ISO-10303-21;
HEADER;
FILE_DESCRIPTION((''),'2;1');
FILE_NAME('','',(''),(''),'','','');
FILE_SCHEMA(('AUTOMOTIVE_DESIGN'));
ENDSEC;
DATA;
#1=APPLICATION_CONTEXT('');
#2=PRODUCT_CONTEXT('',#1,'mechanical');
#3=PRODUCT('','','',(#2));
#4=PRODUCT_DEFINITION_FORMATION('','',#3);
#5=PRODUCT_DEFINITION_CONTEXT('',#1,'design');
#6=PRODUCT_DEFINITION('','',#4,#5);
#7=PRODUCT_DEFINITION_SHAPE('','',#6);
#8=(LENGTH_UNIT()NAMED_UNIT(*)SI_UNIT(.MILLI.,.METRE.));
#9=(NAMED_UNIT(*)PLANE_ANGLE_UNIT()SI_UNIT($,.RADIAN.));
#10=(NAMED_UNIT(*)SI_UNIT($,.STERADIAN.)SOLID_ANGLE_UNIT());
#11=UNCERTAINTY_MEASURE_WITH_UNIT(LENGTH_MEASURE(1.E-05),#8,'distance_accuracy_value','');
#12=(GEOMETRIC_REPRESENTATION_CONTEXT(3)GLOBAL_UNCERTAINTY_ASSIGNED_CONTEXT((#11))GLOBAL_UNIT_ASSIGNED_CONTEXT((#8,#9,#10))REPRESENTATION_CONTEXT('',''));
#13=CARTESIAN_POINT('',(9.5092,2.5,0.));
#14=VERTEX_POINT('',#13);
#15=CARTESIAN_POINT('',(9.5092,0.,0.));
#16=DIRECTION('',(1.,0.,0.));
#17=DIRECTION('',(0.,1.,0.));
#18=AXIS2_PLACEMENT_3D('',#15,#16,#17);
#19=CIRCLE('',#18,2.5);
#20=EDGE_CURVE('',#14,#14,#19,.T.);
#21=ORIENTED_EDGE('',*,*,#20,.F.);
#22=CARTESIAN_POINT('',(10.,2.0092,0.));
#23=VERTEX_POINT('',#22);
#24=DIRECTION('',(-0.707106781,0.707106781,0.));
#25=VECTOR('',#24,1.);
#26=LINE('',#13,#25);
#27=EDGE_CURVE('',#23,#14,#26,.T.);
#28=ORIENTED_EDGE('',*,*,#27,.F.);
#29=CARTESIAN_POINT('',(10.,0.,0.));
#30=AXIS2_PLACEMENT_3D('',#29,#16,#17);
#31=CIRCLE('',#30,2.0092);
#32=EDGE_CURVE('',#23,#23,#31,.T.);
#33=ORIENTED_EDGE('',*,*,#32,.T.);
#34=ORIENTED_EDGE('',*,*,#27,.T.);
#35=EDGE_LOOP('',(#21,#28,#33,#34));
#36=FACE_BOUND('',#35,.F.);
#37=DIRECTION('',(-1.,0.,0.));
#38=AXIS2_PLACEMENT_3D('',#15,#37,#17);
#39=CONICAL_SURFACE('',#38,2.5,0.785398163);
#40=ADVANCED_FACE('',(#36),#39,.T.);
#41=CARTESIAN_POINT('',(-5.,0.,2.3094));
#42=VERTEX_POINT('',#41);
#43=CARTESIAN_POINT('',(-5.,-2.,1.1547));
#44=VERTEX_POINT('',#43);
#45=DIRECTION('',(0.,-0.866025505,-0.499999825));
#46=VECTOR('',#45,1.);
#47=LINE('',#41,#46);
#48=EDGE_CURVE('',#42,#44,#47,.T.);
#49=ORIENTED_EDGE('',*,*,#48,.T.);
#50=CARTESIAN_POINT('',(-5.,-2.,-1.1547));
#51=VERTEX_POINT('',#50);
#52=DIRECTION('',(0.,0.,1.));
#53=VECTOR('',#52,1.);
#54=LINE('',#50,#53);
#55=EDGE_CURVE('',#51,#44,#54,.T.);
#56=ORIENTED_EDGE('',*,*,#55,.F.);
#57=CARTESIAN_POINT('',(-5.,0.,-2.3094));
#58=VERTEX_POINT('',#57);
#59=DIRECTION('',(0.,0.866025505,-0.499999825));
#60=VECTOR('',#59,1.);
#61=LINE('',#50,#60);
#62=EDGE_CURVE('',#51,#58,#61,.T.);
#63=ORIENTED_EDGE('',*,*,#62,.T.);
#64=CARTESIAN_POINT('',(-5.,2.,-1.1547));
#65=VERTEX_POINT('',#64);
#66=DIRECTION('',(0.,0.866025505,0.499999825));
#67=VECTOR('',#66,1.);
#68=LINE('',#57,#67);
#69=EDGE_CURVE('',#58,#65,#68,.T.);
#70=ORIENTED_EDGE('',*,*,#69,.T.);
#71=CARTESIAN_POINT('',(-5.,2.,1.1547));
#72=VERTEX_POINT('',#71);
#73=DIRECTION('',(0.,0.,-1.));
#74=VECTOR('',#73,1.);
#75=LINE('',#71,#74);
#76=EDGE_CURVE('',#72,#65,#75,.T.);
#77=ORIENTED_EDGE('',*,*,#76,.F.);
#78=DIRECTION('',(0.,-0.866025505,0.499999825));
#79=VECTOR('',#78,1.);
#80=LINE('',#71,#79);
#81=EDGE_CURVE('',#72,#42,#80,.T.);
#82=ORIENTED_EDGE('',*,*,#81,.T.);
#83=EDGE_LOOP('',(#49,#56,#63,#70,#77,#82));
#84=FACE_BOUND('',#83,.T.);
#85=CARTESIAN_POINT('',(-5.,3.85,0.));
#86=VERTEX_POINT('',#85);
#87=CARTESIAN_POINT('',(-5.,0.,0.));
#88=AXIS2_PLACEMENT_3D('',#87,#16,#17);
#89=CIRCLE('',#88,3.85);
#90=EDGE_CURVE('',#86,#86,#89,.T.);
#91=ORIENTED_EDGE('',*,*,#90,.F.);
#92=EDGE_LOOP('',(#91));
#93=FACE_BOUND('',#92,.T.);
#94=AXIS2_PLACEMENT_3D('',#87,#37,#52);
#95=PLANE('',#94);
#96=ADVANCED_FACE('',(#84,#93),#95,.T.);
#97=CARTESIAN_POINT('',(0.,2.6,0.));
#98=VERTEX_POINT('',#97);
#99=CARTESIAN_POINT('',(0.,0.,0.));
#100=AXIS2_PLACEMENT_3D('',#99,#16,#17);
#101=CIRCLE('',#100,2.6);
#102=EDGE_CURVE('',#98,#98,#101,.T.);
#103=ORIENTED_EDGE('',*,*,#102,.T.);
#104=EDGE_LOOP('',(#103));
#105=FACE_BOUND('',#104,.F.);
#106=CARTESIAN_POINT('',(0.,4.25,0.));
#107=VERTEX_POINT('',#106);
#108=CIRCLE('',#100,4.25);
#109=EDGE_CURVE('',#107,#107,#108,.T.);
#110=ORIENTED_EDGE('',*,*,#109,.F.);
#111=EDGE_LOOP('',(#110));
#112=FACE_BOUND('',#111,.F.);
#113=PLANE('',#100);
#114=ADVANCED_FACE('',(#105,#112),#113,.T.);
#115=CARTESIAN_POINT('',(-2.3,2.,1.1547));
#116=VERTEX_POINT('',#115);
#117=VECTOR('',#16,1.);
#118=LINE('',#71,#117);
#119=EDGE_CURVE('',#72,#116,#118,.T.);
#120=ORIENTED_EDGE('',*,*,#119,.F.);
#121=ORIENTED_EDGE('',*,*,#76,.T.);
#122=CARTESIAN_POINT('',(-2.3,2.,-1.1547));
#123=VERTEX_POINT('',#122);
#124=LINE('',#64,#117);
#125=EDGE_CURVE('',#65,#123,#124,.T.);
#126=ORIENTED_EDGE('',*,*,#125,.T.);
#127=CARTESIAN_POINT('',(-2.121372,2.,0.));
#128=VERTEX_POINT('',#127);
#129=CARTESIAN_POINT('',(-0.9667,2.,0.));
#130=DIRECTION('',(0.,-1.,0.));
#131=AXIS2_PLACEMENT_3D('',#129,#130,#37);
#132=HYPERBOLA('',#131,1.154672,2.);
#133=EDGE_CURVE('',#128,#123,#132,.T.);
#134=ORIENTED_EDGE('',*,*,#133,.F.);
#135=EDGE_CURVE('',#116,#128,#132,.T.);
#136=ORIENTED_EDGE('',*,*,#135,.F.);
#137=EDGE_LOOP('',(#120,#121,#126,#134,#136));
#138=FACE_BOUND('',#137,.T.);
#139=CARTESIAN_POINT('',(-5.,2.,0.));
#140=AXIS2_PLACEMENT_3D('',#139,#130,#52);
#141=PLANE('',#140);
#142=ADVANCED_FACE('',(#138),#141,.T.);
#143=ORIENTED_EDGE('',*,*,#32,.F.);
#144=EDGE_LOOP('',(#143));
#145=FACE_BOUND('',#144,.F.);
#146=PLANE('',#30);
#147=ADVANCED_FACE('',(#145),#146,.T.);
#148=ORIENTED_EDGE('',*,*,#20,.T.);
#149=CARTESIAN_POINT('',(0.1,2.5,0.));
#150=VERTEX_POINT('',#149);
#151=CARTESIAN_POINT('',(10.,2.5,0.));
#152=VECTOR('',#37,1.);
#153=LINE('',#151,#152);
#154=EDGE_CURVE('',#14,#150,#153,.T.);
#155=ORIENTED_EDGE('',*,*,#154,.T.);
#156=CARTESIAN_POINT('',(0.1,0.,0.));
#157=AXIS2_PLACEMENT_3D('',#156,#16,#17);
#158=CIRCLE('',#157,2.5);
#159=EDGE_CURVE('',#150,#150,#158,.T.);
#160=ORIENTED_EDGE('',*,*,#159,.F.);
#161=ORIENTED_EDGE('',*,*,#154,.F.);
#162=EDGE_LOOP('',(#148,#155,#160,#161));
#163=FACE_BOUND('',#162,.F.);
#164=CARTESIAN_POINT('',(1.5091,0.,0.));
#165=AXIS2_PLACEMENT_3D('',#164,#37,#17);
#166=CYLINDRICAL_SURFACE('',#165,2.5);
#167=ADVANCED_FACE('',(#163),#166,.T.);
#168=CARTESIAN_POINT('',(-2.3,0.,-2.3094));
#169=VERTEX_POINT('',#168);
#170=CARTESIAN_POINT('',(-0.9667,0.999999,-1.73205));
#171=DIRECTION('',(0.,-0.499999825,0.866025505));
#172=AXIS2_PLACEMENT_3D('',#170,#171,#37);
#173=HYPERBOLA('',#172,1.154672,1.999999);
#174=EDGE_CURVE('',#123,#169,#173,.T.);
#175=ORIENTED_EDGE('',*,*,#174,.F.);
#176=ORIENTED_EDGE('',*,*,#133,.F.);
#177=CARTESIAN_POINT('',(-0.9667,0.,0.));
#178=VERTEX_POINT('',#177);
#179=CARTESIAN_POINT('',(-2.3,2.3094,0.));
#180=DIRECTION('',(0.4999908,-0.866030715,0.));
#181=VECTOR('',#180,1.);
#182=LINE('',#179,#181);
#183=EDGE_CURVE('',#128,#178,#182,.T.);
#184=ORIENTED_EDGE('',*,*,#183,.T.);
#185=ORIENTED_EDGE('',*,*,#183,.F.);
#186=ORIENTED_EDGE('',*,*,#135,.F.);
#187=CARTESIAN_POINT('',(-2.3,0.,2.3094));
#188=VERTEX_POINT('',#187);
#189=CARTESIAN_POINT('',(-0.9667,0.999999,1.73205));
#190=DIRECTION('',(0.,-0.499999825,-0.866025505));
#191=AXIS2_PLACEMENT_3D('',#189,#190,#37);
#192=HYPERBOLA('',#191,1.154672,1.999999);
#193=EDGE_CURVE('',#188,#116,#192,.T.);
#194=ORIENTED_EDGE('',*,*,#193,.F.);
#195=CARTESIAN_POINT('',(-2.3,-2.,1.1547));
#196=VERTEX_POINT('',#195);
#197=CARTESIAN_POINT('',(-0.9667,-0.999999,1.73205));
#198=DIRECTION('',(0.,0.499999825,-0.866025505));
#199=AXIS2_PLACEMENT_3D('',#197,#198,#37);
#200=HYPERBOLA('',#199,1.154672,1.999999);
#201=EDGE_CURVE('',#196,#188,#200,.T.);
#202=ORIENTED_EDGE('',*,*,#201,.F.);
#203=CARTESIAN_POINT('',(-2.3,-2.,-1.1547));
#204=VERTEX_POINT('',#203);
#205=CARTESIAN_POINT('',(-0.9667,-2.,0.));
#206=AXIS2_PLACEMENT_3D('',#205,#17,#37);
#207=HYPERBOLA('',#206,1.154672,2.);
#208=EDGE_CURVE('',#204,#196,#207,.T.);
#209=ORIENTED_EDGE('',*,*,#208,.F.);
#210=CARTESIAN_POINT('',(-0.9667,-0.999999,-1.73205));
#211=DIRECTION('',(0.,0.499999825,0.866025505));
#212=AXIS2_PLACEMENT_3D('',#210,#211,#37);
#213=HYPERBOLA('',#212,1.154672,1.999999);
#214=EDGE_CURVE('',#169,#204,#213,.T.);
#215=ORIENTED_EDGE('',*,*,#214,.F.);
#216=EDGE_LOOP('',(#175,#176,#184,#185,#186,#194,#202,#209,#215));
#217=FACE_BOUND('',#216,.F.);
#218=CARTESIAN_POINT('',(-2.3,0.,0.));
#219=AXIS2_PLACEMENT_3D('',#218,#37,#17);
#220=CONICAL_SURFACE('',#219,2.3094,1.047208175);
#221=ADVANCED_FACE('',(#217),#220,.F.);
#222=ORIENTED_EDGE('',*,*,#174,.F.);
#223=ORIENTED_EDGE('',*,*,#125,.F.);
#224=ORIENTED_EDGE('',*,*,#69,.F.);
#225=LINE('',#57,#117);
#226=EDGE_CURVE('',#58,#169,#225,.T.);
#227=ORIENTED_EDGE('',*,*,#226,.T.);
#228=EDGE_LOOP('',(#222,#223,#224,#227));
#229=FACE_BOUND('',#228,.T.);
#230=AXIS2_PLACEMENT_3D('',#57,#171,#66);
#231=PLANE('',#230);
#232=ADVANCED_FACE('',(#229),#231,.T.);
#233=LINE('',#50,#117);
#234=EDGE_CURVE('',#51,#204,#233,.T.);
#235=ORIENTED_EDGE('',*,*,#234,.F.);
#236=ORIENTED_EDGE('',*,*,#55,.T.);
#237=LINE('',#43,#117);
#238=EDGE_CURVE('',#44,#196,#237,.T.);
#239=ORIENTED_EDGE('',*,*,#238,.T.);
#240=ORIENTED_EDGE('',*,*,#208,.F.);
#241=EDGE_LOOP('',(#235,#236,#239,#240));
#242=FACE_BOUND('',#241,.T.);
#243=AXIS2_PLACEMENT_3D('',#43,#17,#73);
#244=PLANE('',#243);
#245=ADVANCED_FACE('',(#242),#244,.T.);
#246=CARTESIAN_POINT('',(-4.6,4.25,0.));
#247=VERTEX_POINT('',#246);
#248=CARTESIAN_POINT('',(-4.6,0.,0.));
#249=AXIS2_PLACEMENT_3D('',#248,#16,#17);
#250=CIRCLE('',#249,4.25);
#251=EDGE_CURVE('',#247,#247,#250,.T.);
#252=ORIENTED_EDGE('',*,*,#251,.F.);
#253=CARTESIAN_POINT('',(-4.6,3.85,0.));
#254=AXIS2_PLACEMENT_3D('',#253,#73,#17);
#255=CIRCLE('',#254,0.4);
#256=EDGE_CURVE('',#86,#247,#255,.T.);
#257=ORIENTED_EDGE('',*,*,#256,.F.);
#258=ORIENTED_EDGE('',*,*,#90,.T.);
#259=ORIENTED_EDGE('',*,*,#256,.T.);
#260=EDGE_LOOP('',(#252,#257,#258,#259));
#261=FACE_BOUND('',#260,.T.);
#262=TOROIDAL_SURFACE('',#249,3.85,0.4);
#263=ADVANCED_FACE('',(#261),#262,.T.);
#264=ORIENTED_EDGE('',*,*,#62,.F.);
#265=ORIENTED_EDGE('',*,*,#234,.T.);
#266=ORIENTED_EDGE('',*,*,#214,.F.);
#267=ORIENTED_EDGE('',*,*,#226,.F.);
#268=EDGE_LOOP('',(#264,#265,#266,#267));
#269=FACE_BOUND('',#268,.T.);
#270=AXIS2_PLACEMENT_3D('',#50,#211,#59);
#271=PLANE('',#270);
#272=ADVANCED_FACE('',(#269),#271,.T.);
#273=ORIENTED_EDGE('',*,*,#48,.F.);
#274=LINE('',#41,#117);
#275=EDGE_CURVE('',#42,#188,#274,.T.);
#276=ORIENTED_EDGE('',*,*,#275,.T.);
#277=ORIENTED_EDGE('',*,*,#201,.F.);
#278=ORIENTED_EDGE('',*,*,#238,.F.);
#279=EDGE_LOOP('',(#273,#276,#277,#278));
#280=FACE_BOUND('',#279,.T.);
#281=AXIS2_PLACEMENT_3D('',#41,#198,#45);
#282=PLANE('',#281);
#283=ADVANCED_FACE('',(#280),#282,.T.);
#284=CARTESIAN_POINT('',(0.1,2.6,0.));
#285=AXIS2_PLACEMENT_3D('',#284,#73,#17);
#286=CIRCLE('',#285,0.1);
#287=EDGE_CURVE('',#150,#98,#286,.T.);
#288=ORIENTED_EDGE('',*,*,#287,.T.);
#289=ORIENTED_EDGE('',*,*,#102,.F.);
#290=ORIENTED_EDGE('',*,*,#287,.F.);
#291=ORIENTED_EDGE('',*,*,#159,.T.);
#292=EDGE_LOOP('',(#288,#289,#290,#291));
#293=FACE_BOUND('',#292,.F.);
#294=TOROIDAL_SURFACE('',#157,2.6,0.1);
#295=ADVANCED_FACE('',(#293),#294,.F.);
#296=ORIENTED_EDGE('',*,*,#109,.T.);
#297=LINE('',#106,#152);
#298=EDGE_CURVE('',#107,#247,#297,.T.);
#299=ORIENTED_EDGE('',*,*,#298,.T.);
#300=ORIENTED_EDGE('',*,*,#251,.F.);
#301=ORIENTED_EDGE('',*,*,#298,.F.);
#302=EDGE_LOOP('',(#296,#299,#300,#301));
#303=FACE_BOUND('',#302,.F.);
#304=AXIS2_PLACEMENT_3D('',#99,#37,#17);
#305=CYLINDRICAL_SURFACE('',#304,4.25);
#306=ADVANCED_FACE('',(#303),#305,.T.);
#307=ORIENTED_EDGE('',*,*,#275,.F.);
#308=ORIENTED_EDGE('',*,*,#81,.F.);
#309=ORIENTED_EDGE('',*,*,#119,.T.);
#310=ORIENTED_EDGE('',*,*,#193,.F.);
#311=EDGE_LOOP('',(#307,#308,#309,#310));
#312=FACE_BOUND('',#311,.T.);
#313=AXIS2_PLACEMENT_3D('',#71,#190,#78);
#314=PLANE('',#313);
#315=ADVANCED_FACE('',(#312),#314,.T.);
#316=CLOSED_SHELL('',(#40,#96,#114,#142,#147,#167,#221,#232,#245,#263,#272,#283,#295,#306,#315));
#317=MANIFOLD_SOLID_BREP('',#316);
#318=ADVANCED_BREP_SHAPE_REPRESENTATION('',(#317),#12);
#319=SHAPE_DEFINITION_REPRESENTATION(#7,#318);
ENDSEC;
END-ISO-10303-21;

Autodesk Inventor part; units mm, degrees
ref_plane "YZ Plane" through (0, 0, 0) normal (1, 0, 0) x (0, 1, 0)
ref_plane "XZ Plane" through (0, 0, 0) normal (0, 1, 0) x (-1, 0, 0)
sketch "Szkic1" plane through (0, 0, 0) normal (0, 0, 1) x (1, 0, 0)
  line L0 (-0.9667, 0) -> (10, 0)
  line L1 (10, 0) -> (10, 2.5)
  line L2 (10, 2.5) -> (2, 2.5)
  line L3 (2, 2.5) -> (1.5091, 2.5)
  line L4 (1.5091, 2.5) -> (0, 2.5)
  line L5 (0, 2.5) -> (0, 4.25)
  line L6 (0, 4.25) -> (-5, 4.25)
  line L7 (-5, 4.25) -> (-5, 2.3094)
  line L8 (-5, 2.3094) -> (-2.3, 2.3094)
  line L9 (-2.3, 2.3094) -> (-0.9667, 0)
  line L10 (-8, 0) -> (13, 0) projected
  line L11 (0, -0.85) -> (0, 5.1) projected
  line L12 (2, 2.5) -> (0, 2.5) construction
  dimension "d1" = 8
  dimension "d2" = 0.4909
  dimension "d3" = 5
  dimension "d4" = 2.7
  dimension "d5" = 60
  dimension "d6" = 5
  dimension "d7" = 5
  dimension "d8" = 4.6188
  dimension "d9" = 8.5
  dimension "d26" = 10
revolve "Bryła" add sketch "Szkic1" angle 360 about axis through (-0.9667, 0, 0) along (1, 0, 0)
sketch "Szkic2" plane through (-5, 0, 0) normal (-1, 0, 0) x (0, 0, 1)
  circle A0 centre (0, 0) radius 2.3094 projected
  line L0 (0, -5.95) -> (0, 5.95) projected
  line L1 (-5.95, 0) -> (5.95, 0) projected
  line L2 (2.3094, 0) -> (1.1547, -2)
  line L3 (1.1547, -2) -> (-1.1547, -2)
  line L4 (-1.1547, -2) -> (-2.3094, 0)
  line L5 (-2.3094, 0) -> (-1.1547, 2)
  line L6 (-1.1547, 2) -> (1.1547, 2)
  line L7 (1.1547, 2) -> (2.3094, 0)
extrude "Szczelina" add sketch "Szkic2" against normal up to next contours L7 A0 | A0 L2 | L6 L0 A0 | A0 L0 L3 | L0 L6 A0 | A0 L3 L0 | L4 A0 | A0 L5
fillet "Zaokrąglenie1" radius 0.4 1 edges at (-5, -4.25, 0)
thread "Gwint" size "M5x0.8" class "6g" standard "ISO Metric profile" length 8
chamfer "Faza1" distance 0.4908 distance2 0.4908 1 edges at (10, -2.5, 0) measured on face at (10, -0.7741, -0.6858)
ref_plane "Work Plane1" through (29, 0, 0) normal (0, -1, 0) x (1, 0, 0)
fillet "Fillet2" radius 0.1 1 edges at (0, -2.5, 0)
equation "\"d1\" = GEL"
equation "\"d3\" = KOH"
equation "\"d4\" = INTI"
equation "\"d6\" = GD"
equation "\"d7\" = BDM"
equation "\"d8\" = 1.1547 * SW"
equation "\"d9\" = KOD"
equation "\"d26\" = NLG"
equation "\"d30\" = R"
equation "\"d17\" = RR"
equation "\"d13\" = GEL"
equation "\"d15\" = -0.5 * SPD + 0.5 * GD"
equation "\"d16\" = GUL"
equation "\"GD\" = NND"
equation "\"NLG\" = 10"
equation "\"GEL\" = 8"
equation "\"KOD\" = 8.5"
equation "\"KOH\" = NND"
equation "\"INTI\" = 2.7"
equation "\"GAL\" = 0.61345 * PTC"
equation "\"GUL\" = 0.61345 * PTC"
equation "\"BDM\" = NND"
equation "\"SW\" = 4"
equation "\"RR\" = 0.4"
equation "\"SPD\" = NND - 1.2269 * PTC"
equation "\"R\" = 0.1"
equation "\"TOA\" = 30deg"
equation "\"GD1\" = THREADDIA - 1.2269 * PTC"
equation "\"THREADDIA\" = 5"
equation "\"FAWI\" = 45deg"
equation "\"PTC\" = 0.8"
equation "\"NND\" = 5"
equation "\"E0\" = 1.155 * SW"
properties part number "CNS 3932 - M 5 x 10" material "Stal, miękka"
